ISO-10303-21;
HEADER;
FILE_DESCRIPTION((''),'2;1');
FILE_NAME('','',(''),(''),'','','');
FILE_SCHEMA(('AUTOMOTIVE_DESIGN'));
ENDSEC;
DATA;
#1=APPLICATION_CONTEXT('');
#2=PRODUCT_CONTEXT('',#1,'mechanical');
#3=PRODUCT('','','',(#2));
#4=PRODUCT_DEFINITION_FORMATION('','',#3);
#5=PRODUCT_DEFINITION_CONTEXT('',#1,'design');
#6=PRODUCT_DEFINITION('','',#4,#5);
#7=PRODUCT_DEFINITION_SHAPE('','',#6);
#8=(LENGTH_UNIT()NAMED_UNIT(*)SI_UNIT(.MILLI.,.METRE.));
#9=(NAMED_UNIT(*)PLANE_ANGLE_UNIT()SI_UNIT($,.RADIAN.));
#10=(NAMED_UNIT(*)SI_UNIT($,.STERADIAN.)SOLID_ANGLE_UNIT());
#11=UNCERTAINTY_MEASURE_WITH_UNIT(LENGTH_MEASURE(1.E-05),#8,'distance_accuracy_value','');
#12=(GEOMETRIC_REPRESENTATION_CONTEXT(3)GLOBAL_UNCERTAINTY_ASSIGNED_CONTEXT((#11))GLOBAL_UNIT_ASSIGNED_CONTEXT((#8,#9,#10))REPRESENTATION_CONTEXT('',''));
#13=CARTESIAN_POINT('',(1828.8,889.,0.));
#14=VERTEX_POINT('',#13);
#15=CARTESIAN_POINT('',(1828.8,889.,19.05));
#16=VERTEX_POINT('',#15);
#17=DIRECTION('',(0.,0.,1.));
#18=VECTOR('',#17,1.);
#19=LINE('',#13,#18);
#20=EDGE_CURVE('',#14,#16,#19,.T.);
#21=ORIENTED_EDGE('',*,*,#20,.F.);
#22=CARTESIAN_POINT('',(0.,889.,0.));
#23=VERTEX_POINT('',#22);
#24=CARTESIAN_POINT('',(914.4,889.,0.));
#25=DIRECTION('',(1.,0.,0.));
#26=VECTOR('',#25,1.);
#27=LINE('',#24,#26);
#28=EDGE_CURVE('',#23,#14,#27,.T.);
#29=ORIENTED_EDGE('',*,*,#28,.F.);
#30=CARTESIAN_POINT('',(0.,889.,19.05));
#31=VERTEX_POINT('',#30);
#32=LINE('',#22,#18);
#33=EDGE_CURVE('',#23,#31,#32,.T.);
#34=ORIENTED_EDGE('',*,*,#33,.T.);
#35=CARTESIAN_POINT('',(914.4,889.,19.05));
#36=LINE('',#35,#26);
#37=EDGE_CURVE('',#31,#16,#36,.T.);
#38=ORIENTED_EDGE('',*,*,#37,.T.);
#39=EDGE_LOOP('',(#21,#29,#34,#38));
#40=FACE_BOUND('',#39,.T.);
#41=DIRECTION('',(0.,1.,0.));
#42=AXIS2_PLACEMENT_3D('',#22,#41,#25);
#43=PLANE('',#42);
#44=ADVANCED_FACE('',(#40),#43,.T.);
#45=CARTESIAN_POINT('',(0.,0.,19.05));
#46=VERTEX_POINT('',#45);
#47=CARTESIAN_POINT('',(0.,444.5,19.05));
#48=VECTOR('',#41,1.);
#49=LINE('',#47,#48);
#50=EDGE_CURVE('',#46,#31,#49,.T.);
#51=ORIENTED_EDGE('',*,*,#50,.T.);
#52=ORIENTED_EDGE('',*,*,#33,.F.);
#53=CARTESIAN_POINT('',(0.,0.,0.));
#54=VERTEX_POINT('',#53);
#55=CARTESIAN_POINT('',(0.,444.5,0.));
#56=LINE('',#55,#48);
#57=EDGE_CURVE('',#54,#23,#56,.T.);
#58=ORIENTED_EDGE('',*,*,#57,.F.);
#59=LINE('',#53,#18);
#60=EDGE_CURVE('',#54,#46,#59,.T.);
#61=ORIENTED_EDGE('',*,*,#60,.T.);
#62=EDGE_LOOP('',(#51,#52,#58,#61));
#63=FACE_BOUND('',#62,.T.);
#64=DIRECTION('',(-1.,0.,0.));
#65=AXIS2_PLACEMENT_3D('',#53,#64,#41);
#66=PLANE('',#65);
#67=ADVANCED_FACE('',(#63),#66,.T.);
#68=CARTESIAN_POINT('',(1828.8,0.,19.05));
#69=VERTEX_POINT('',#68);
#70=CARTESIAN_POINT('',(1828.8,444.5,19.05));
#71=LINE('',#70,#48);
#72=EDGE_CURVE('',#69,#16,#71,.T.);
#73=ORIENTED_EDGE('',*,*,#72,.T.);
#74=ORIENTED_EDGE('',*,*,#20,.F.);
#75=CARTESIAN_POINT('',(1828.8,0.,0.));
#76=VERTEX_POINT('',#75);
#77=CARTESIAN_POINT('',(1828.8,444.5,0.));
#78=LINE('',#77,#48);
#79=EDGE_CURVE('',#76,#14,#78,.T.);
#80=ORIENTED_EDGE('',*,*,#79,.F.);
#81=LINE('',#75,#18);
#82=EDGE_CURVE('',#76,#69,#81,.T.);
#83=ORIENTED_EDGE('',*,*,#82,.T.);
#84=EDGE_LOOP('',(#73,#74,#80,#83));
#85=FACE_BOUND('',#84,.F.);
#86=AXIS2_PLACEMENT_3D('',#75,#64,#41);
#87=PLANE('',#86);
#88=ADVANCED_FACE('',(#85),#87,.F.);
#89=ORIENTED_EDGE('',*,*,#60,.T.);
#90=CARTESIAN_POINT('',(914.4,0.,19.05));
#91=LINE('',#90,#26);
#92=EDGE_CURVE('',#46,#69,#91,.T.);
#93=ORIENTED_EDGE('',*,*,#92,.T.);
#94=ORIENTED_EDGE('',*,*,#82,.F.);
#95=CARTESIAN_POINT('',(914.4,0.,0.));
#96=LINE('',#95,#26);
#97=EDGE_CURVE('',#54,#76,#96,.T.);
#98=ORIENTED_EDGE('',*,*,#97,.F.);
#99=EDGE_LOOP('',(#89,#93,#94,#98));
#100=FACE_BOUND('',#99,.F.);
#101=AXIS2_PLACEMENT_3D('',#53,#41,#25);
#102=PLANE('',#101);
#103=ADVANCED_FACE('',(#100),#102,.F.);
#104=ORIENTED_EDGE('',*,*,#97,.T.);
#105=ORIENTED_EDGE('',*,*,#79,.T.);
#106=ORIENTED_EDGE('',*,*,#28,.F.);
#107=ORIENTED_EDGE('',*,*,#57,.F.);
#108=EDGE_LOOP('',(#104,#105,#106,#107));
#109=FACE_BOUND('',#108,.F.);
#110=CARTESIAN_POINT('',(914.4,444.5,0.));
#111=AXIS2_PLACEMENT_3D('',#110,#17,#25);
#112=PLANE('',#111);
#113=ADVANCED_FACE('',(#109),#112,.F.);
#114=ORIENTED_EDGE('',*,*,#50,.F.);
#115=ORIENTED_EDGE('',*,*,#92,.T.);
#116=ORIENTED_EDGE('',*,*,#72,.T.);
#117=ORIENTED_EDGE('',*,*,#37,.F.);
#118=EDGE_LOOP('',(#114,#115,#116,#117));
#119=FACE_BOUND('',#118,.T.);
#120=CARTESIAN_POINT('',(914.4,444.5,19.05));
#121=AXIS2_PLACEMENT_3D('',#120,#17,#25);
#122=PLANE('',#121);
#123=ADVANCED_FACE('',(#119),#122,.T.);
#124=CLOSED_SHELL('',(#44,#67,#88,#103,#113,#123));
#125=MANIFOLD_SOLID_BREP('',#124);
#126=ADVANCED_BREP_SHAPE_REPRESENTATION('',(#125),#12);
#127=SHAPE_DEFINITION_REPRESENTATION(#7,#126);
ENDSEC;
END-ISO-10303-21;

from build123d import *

# Parameters (mm, degrees)
SKETCH001_W   = 1828.8
SKETCH001_H   = 889
EXTRUDE_DEPTH = 19.05


with BuildPart() as part:
    # Sketch001 → Extrude (new body)
    with BuildSketch(Plane.XY):
        with Locations((914.4, 444.5)):
            Rectangle(SKETCH001_W, SKETCH001_H)
    extrude(amount=EXTRUDE_DEPTH)


solid = part.part
